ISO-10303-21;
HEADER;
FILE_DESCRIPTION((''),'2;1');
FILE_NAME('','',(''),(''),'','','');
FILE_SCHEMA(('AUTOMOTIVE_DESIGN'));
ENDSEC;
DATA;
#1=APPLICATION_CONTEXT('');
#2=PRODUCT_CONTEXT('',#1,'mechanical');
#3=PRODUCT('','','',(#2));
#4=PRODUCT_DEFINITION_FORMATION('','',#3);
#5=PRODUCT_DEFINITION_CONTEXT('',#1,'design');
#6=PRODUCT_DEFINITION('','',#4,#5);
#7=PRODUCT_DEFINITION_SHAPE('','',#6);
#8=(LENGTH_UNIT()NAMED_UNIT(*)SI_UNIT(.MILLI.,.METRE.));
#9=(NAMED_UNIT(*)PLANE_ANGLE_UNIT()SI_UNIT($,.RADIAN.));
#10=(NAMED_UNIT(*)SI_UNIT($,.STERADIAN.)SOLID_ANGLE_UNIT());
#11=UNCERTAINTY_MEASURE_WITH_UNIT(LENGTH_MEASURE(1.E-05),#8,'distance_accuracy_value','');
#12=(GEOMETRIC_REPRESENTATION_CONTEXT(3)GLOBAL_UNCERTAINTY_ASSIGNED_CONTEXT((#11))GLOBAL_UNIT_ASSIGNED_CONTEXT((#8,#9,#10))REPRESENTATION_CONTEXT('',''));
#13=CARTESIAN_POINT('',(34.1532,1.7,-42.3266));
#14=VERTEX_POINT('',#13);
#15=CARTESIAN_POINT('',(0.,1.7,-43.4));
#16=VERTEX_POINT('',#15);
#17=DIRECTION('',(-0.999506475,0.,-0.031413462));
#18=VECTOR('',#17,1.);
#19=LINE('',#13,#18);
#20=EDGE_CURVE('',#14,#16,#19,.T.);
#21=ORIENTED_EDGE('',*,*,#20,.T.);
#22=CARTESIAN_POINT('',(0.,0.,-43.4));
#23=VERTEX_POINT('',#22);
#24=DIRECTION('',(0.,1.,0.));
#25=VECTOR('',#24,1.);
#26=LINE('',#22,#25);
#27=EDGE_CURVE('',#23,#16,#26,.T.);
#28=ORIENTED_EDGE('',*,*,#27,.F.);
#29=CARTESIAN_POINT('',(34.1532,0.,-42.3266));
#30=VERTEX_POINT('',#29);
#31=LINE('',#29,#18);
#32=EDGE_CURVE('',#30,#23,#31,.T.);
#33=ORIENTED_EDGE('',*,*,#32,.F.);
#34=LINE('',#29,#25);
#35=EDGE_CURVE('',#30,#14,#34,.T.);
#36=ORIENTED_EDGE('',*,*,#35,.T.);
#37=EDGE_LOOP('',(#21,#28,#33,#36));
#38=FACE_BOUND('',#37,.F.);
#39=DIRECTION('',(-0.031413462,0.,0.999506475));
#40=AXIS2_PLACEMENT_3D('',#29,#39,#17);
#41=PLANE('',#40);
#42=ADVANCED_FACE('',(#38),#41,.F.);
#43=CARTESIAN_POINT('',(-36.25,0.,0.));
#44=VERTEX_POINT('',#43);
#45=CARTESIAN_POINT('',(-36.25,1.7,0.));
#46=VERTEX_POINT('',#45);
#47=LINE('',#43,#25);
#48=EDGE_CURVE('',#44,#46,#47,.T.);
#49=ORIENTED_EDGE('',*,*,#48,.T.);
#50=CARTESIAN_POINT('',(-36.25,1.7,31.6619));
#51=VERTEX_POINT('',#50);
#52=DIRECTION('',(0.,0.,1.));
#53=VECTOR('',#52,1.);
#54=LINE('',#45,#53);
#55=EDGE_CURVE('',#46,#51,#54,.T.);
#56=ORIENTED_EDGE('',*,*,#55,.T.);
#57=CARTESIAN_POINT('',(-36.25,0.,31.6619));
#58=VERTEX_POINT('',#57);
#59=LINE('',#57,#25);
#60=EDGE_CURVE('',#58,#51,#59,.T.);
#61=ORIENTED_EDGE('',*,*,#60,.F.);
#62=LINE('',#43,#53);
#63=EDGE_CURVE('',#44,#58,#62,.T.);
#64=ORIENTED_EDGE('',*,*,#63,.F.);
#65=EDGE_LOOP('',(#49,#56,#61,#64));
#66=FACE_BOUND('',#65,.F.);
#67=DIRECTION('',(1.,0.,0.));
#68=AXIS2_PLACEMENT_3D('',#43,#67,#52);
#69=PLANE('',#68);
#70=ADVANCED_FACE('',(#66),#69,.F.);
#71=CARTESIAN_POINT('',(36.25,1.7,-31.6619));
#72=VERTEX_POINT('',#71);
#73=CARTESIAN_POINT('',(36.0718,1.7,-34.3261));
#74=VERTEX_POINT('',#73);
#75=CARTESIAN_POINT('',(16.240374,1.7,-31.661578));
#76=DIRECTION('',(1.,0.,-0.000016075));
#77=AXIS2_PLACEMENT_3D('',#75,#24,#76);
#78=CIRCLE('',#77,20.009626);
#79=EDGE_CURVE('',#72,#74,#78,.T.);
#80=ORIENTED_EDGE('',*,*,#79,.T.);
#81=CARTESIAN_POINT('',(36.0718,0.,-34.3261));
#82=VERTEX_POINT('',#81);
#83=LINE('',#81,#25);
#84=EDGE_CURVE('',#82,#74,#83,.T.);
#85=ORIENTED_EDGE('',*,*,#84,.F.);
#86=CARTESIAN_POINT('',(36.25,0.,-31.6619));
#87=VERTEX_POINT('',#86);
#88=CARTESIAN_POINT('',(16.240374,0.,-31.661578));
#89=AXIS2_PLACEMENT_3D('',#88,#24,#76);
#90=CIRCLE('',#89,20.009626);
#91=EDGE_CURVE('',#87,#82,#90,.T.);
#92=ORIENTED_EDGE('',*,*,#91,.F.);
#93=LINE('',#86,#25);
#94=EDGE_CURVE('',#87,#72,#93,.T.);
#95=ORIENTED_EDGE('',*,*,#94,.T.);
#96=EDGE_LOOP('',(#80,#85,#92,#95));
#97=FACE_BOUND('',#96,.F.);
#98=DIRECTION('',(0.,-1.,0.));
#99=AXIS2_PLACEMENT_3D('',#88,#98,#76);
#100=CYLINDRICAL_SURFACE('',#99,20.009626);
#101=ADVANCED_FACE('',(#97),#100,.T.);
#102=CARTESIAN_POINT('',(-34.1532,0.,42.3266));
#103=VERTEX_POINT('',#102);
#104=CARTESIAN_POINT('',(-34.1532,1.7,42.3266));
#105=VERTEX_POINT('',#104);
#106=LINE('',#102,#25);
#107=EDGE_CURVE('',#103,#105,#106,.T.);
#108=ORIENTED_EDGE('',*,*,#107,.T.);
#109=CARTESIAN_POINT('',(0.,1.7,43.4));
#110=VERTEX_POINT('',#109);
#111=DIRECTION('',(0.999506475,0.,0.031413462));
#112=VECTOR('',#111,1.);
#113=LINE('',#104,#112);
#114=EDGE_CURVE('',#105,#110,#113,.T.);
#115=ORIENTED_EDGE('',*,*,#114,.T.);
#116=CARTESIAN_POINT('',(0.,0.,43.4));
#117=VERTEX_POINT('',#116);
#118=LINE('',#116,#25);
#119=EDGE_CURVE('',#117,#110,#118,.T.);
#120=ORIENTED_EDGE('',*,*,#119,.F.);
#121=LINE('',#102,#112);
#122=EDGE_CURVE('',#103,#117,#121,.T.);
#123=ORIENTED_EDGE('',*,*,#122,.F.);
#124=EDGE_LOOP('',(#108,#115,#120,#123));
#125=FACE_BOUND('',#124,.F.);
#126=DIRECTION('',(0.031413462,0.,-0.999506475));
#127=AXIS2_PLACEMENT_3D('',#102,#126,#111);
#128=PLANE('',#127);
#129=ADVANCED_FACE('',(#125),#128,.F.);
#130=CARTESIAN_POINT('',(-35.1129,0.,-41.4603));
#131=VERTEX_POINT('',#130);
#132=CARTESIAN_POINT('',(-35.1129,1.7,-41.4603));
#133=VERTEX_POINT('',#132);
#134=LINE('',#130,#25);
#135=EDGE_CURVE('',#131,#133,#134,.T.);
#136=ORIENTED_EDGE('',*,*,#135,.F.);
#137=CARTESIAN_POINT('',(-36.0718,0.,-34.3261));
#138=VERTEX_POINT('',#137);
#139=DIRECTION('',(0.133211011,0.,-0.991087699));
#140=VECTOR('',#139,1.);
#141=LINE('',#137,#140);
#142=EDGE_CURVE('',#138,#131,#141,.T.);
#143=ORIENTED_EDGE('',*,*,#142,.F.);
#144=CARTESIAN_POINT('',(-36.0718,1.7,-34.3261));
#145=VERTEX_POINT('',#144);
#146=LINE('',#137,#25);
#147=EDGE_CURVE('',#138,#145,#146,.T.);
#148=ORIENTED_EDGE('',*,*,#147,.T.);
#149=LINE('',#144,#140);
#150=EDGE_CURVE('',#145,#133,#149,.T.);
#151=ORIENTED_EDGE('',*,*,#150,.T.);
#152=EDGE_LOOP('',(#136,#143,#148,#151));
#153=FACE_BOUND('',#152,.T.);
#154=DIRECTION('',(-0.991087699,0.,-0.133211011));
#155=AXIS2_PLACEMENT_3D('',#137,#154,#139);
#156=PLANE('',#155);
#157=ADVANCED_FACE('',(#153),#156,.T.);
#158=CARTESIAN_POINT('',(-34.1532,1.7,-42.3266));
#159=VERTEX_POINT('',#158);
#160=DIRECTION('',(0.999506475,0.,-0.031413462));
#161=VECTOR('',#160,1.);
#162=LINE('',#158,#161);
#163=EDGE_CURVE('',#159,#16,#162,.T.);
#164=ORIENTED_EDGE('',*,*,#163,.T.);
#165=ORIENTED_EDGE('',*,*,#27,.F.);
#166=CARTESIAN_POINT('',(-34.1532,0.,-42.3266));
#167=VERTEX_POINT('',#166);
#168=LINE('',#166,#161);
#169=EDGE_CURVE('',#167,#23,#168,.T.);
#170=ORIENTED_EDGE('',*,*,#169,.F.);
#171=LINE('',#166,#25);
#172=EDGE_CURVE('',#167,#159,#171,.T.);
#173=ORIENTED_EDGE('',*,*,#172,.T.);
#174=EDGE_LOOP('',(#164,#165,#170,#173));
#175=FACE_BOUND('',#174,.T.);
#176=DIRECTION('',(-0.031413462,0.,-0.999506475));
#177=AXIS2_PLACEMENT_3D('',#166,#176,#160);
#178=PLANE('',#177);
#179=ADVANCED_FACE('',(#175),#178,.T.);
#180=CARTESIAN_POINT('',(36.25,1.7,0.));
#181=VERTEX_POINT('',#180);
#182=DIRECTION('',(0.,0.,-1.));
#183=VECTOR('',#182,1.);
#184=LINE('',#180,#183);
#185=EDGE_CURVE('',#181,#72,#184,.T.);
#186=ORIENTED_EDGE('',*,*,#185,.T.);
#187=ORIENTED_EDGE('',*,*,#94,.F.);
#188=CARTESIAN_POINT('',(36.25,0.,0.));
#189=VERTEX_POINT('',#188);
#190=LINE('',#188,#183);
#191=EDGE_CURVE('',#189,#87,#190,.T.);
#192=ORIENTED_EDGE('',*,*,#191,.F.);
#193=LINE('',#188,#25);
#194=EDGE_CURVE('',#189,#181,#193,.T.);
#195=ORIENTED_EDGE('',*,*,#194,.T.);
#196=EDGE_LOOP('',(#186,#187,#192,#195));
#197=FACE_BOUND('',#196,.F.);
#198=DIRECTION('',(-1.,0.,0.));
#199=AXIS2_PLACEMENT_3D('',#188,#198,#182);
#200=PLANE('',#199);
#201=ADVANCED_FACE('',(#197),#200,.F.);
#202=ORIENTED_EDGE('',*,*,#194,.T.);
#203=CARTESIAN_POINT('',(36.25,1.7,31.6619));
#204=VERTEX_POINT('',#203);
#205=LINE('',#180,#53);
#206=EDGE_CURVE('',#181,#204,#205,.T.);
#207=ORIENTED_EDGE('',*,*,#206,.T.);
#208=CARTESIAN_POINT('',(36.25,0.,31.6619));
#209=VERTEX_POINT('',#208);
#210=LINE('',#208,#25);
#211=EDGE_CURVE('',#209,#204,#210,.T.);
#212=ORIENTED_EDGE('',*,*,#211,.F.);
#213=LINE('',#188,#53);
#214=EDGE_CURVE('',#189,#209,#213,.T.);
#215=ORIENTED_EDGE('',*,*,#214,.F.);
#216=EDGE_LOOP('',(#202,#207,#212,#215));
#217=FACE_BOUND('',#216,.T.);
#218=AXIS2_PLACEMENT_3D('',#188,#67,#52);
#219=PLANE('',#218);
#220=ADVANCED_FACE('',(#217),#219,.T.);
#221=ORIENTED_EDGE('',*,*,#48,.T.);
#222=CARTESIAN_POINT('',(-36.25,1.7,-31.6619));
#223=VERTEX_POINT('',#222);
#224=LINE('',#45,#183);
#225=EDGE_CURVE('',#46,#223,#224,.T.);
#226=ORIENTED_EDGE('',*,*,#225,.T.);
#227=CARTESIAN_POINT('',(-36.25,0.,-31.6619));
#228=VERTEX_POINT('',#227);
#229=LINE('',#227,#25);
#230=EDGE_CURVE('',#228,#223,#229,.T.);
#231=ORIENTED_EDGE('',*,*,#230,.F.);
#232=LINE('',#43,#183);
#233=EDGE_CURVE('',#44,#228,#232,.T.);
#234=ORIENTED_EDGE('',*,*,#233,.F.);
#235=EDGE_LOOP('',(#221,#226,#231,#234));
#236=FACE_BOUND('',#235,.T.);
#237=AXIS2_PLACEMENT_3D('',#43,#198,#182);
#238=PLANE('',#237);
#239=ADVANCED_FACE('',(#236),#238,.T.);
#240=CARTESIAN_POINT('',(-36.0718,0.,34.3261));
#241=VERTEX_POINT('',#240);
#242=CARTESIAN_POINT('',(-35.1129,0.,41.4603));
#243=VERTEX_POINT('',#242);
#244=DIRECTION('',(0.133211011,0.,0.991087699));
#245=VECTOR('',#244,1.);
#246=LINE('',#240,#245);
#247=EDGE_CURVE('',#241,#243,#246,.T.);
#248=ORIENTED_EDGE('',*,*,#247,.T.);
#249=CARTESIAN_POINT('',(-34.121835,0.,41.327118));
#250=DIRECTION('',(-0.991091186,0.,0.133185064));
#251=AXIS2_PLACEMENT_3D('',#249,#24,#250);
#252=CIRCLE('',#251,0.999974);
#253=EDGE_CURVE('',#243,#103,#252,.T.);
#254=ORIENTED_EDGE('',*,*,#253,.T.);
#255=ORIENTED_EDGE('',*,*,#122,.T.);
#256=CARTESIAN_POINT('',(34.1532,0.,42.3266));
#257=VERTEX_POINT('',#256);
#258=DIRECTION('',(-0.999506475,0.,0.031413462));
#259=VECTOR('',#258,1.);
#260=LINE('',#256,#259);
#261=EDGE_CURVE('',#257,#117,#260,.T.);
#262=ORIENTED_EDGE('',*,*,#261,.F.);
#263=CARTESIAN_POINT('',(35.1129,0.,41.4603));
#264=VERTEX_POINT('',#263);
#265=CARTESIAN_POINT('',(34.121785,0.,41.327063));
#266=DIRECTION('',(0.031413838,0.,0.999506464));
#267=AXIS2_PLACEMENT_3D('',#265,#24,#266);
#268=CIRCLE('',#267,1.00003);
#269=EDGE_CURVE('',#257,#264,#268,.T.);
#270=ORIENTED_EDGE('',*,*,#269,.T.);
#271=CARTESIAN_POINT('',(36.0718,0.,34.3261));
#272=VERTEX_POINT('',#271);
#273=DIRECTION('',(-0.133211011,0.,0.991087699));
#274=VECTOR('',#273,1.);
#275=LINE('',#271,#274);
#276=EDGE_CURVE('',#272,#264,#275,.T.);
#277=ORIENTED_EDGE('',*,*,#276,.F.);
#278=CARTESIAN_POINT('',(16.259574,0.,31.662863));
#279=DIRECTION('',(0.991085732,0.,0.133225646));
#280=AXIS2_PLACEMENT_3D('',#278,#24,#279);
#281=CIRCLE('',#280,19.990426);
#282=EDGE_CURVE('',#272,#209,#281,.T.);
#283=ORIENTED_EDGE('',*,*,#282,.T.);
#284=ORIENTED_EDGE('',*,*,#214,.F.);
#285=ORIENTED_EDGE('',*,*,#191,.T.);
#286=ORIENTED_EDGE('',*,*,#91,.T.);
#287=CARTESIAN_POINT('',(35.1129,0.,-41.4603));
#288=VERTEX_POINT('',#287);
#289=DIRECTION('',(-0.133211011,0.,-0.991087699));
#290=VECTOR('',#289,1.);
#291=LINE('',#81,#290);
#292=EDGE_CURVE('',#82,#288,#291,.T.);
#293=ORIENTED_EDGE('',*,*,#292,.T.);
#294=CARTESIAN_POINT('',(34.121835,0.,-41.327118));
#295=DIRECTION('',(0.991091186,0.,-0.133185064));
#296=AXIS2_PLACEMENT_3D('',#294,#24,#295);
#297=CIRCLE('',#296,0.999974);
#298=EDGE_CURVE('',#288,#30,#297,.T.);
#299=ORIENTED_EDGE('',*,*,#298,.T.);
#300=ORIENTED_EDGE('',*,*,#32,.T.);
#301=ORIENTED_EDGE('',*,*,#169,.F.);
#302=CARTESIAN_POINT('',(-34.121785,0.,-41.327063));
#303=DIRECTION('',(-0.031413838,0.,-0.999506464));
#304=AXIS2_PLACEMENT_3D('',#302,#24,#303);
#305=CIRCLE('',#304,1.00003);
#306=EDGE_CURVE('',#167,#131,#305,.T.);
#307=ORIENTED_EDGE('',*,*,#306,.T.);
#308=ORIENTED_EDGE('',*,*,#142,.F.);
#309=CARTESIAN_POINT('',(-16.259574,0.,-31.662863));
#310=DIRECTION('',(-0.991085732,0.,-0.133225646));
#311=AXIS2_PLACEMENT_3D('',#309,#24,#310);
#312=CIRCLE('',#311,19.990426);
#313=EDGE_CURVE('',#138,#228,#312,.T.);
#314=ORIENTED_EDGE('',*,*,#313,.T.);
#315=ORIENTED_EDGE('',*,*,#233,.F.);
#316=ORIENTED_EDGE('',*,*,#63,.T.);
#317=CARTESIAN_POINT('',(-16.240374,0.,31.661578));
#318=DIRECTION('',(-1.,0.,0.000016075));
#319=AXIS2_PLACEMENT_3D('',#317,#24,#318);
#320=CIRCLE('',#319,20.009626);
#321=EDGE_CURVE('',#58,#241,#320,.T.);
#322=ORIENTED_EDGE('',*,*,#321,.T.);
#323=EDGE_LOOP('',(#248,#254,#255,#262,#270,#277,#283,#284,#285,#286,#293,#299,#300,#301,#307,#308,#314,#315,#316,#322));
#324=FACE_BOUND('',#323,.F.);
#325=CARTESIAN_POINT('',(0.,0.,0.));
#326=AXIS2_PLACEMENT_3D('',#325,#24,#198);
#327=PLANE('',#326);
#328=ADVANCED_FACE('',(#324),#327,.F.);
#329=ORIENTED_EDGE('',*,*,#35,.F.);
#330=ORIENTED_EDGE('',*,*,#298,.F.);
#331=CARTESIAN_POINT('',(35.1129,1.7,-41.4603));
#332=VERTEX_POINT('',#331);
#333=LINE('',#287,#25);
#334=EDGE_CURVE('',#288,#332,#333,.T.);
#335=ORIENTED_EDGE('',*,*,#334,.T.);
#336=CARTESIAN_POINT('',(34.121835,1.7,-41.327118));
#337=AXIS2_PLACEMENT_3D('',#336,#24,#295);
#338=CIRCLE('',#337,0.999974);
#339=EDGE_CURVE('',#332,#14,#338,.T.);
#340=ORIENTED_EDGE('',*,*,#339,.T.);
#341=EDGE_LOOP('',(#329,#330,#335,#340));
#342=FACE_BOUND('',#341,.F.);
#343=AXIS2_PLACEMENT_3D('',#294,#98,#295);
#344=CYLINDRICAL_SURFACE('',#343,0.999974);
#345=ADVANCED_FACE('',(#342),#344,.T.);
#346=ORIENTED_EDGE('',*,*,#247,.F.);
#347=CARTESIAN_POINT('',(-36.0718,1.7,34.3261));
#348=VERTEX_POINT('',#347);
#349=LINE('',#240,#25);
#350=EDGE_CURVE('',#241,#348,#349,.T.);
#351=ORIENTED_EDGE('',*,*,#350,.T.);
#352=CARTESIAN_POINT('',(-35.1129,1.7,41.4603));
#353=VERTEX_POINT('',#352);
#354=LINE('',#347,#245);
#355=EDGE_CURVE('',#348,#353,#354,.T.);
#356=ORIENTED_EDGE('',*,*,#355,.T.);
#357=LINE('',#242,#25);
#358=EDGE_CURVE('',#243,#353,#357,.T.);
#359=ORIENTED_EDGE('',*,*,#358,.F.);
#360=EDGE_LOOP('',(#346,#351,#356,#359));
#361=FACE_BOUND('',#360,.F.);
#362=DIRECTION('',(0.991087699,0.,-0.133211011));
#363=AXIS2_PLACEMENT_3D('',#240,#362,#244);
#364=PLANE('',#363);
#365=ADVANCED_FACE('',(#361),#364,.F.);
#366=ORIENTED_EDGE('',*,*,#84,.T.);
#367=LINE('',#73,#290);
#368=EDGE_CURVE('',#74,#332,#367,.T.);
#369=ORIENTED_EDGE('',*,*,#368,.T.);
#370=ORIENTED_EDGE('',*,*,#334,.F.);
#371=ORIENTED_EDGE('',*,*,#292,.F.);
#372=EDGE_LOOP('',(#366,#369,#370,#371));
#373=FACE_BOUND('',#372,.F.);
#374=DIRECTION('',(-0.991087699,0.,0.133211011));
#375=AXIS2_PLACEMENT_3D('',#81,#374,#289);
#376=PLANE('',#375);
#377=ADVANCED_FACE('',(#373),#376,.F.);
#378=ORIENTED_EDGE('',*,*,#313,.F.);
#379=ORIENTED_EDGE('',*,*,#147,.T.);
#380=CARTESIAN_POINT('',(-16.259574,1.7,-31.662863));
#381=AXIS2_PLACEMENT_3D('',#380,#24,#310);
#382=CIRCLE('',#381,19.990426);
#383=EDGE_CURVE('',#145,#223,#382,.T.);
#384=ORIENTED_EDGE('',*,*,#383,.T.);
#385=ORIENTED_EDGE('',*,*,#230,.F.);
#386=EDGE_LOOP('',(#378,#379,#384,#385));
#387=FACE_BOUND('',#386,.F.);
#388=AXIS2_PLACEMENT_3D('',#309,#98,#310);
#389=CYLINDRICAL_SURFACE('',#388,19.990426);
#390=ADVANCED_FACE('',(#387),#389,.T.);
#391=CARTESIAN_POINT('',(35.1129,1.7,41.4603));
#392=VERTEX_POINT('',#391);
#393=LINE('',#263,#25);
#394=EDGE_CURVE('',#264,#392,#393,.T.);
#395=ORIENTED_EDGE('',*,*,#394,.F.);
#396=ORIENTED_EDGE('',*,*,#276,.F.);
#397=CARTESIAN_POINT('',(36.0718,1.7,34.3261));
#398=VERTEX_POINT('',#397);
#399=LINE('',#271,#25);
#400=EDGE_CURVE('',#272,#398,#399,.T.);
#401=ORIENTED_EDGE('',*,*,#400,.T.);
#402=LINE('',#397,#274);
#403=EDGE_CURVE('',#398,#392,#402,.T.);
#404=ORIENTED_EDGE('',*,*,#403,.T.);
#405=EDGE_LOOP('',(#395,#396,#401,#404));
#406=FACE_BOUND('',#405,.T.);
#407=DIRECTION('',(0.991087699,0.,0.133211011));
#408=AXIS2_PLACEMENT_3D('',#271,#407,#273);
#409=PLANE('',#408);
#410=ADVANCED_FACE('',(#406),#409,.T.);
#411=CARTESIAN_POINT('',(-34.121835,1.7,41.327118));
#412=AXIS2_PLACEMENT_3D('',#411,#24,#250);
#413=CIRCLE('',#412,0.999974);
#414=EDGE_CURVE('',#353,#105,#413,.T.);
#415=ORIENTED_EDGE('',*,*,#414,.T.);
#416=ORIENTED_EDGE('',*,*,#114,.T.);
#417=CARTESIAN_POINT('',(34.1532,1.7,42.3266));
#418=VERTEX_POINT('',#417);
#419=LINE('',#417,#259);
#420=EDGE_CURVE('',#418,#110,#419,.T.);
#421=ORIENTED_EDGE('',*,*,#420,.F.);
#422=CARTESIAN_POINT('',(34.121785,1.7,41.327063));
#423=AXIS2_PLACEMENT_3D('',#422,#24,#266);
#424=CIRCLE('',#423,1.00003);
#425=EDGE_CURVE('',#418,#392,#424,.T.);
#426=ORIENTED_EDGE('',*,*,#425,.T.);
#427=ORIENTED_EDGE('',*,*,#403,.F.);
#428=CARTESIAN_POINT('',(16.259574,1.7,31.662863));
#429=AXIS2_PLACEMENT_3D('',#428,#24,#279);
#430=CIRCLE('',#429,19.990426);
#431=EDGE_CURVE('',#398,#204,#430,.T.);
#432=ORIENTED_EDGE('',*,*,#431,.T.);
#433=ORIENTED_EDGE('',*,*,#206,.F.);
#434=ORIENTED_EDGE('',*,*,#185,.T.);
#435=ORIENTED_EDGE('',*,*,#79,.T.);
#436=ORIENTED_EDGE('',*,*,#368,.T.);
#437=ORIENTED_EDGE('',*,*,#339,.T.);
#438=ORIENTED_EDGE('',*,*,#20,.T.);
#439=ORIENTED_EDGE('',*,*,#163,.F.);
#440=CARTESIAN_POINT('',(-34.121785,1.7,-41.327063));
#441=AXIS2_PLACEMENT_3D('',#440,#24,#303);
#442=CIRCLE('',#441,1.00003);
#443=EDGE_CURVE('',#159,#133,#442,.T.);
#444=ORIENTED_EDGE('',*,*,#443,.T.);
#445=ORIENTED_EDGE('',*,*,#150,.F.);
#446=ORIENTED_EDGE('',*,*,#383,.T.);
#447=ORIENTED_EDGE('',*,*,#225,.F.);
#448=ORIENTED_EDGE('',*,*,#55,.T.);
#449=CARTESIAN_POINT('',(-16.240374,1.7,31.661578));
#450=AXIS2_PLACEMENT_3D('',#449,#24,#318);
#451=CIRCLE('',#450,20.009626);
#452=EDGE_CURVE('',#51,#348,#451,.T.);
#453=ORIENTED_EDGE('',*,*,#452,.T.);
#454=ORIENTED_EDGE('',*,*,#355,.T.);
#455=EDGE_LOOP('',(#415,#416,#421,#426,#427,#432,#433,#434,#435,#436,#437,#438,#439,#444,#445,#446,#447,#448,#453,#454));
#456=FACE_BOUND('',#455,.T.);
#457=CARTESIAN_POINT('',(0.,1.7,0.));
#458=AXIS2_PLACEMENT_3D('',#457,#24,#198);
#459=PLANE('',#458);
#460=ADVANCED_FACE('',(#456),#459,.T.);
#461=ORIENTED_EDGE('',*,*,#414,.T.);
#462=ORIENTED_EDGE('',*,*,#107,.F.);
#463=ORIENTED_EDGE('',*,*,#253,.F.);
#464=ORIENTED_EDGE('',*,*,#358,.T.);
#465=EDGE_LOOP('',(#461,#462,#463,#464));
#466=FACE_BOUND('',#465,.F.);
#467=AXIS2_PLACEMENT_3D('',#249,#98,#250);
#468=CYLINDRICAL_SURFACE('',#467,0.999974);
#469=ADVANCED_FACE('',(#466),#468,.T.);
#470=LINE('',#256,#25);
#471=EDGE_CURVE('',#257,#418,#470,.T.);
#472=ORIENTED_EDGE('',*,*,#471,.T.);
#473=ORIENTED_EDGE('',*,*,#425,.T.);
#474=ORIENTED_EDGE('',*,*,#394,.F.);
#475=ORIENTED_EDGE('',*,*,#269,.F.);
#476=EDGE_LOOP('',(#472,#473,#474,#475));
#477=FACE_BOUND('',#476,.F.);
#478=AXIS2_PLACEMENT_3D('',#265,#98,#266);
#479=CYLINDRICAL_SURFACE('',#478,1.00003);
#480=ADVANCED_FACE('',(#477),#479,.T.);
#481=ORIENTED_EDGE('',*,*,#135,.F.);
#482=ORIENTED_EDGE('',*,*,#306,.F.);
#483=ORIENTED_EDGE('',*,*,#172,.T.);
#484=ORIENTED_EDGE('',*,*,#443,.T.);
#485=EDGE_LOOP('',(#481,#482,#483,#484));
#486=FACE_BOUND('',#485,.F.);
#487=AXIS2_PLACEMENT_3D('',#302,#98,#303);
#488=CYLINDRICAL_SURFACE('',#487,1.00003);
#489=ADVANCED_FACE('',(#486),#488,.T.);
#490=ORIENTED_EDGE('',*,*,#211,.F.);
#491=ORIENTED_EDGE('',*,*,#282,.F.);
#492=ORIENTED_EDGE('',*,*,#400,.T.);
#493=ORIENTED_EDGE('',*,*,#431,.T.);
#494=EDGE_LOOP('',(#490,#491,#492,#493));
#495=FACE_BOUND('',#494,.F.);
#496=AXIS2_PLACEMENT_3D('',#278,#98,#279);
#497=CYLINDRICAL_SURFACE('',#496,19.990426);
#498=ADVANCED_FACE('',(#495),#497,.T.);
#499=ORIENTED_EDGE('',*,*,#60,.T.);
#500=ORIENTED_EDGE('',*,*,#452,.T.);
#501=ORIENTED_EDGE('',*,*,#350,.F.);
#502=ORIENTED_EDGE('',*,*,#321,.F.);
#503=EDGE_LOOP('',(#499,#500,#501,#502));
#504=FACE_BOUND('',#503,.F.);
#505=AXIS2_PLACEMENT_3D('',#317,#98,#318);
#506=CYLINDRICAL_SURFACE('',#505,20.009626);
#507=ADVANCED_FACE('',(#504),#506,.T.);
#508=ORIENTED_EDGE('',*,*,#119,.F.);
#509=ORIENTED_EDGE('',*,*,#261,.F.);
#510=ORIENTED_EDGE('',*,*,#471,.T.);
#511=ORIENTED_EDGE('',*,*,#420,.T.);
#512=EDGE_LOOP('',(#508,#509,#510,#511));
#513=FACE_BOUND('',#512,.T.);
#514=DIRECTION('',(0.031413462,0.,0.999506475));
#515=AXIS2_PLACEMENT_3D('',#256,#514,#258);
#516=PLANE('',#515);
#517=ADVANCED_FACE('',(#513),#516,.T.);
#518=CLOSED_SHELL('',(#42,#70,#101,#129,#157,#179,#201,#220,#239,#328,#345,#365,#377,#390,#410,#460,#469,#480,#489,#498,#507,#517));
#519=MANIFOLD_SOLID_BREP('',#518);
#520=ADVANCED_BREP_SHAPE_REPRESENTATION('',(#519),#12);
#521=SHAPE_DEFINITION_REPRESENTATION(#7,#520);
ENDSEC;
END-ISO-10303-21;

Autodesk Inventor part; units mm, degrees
ref_plane "YZ Plane" through (0, 0, 0) normal (1, 0, 0) x (0, 1, 0)
ref_plane "XZ Plane" through (0, 0, 0) normal (0, 1, 0) x (-1, 0, 0)
ref_plane "XY Plane" through (0, 0, 0) normal (0, 0, 1) x (1, 0, 0)
sketch "Sketch1" plane through (0, 0, 0) normal (0, 1, 0) x (-1, 0, 0)
  line L0 (0, 0) -> (36.25, 0) construction
  line L1 (36.25, 0) -> (36.25, 31.6619)
  line L2 (36.0718, 34.3261) -> (35.1129, 41.4603)
  line L3 (34.1532, 42.3266) -> (0, 43.4)
  line L4 (0, 43.4) -> (0, 0) construction
  arc A0 (35.1129, 41.4603) -> (34.1532, 42.3266) centre (34.1218, 41.3271) ccw
  arc A1 (36.25, 31.6619) -> (36.0718, 34.3261) centre (16.25, 31.6619) ccw
  line L5 (36.25, 0) -> (36.25, -31.6619)
  line L6 (36.0718, -34.3261) -> (35.1129, -41.4603)
  line L7 (34.1532, -42.3266) -> (0, -43.4)
  arc A2 (34.1532, -42.3266) -> (35.1129, -41.4603) centre (34.1218, -41.3271) ccw
  arc A3 (36.0718, -34.3261) -> (36.25, -31.6619) centre (16.25, -31.6619) ccw
  line L8 (-36.25, 0) -> (-36.25, 31.6619)
  line L9 (-36.0718, 34.3261) -> (-35.1129, 41.4603)
  line L10 (-34.1532, 42.3266) -> (0, 43.4)
  arc A4 (-34.1532, 42.3266) -> (-35.1129, 41.4603) centre (-34.1218, 41.3271) ccw
  arc A5 (-36.0718, 34.3261) -> (-36.25, 31.6619) centre (-16.25, 31.6619) ccw
  line L11 (-36.0718, -34.3261) -> (-35.1129, -41.4603)
  arc A6 (-35.1129, -41.4603) -> (-34.1532, -42.3266) centre (-34.1218, -41.3271) ccw
  arc A7 (-36.25, -31.6619) -> (-36.0718, -34.3261) centre (-16.25, -31.6619) ccw
  line L12 (-36.25, 0) -> (-36.25, -31.6619)
  line L13 (-34.1532, -42.3266) -> (0, -43.4)
  point P0 (36.25, 33)
  point P1 (35, 42.3)
  point P2 (36.25, -33)
  point P3 (35, -42.3)
  point P4 (-36.25, 33)
  point P5 (-35, 42.3)
  point P6 (-36.25, -33)
  point P7 (-35, -42.3)
  dimension "d2" = 36.25
  dimension "d3" = 43.4
  dimension "d6" = 33
  dimension "d7" = 9.3
  dimension "d8" = 35
  dimension "d9" = 1
  dimension "d10" = 20
extrude "Extrusion1" add sketch "Sketch1" along normal blind 1.7
properties part number "End"
